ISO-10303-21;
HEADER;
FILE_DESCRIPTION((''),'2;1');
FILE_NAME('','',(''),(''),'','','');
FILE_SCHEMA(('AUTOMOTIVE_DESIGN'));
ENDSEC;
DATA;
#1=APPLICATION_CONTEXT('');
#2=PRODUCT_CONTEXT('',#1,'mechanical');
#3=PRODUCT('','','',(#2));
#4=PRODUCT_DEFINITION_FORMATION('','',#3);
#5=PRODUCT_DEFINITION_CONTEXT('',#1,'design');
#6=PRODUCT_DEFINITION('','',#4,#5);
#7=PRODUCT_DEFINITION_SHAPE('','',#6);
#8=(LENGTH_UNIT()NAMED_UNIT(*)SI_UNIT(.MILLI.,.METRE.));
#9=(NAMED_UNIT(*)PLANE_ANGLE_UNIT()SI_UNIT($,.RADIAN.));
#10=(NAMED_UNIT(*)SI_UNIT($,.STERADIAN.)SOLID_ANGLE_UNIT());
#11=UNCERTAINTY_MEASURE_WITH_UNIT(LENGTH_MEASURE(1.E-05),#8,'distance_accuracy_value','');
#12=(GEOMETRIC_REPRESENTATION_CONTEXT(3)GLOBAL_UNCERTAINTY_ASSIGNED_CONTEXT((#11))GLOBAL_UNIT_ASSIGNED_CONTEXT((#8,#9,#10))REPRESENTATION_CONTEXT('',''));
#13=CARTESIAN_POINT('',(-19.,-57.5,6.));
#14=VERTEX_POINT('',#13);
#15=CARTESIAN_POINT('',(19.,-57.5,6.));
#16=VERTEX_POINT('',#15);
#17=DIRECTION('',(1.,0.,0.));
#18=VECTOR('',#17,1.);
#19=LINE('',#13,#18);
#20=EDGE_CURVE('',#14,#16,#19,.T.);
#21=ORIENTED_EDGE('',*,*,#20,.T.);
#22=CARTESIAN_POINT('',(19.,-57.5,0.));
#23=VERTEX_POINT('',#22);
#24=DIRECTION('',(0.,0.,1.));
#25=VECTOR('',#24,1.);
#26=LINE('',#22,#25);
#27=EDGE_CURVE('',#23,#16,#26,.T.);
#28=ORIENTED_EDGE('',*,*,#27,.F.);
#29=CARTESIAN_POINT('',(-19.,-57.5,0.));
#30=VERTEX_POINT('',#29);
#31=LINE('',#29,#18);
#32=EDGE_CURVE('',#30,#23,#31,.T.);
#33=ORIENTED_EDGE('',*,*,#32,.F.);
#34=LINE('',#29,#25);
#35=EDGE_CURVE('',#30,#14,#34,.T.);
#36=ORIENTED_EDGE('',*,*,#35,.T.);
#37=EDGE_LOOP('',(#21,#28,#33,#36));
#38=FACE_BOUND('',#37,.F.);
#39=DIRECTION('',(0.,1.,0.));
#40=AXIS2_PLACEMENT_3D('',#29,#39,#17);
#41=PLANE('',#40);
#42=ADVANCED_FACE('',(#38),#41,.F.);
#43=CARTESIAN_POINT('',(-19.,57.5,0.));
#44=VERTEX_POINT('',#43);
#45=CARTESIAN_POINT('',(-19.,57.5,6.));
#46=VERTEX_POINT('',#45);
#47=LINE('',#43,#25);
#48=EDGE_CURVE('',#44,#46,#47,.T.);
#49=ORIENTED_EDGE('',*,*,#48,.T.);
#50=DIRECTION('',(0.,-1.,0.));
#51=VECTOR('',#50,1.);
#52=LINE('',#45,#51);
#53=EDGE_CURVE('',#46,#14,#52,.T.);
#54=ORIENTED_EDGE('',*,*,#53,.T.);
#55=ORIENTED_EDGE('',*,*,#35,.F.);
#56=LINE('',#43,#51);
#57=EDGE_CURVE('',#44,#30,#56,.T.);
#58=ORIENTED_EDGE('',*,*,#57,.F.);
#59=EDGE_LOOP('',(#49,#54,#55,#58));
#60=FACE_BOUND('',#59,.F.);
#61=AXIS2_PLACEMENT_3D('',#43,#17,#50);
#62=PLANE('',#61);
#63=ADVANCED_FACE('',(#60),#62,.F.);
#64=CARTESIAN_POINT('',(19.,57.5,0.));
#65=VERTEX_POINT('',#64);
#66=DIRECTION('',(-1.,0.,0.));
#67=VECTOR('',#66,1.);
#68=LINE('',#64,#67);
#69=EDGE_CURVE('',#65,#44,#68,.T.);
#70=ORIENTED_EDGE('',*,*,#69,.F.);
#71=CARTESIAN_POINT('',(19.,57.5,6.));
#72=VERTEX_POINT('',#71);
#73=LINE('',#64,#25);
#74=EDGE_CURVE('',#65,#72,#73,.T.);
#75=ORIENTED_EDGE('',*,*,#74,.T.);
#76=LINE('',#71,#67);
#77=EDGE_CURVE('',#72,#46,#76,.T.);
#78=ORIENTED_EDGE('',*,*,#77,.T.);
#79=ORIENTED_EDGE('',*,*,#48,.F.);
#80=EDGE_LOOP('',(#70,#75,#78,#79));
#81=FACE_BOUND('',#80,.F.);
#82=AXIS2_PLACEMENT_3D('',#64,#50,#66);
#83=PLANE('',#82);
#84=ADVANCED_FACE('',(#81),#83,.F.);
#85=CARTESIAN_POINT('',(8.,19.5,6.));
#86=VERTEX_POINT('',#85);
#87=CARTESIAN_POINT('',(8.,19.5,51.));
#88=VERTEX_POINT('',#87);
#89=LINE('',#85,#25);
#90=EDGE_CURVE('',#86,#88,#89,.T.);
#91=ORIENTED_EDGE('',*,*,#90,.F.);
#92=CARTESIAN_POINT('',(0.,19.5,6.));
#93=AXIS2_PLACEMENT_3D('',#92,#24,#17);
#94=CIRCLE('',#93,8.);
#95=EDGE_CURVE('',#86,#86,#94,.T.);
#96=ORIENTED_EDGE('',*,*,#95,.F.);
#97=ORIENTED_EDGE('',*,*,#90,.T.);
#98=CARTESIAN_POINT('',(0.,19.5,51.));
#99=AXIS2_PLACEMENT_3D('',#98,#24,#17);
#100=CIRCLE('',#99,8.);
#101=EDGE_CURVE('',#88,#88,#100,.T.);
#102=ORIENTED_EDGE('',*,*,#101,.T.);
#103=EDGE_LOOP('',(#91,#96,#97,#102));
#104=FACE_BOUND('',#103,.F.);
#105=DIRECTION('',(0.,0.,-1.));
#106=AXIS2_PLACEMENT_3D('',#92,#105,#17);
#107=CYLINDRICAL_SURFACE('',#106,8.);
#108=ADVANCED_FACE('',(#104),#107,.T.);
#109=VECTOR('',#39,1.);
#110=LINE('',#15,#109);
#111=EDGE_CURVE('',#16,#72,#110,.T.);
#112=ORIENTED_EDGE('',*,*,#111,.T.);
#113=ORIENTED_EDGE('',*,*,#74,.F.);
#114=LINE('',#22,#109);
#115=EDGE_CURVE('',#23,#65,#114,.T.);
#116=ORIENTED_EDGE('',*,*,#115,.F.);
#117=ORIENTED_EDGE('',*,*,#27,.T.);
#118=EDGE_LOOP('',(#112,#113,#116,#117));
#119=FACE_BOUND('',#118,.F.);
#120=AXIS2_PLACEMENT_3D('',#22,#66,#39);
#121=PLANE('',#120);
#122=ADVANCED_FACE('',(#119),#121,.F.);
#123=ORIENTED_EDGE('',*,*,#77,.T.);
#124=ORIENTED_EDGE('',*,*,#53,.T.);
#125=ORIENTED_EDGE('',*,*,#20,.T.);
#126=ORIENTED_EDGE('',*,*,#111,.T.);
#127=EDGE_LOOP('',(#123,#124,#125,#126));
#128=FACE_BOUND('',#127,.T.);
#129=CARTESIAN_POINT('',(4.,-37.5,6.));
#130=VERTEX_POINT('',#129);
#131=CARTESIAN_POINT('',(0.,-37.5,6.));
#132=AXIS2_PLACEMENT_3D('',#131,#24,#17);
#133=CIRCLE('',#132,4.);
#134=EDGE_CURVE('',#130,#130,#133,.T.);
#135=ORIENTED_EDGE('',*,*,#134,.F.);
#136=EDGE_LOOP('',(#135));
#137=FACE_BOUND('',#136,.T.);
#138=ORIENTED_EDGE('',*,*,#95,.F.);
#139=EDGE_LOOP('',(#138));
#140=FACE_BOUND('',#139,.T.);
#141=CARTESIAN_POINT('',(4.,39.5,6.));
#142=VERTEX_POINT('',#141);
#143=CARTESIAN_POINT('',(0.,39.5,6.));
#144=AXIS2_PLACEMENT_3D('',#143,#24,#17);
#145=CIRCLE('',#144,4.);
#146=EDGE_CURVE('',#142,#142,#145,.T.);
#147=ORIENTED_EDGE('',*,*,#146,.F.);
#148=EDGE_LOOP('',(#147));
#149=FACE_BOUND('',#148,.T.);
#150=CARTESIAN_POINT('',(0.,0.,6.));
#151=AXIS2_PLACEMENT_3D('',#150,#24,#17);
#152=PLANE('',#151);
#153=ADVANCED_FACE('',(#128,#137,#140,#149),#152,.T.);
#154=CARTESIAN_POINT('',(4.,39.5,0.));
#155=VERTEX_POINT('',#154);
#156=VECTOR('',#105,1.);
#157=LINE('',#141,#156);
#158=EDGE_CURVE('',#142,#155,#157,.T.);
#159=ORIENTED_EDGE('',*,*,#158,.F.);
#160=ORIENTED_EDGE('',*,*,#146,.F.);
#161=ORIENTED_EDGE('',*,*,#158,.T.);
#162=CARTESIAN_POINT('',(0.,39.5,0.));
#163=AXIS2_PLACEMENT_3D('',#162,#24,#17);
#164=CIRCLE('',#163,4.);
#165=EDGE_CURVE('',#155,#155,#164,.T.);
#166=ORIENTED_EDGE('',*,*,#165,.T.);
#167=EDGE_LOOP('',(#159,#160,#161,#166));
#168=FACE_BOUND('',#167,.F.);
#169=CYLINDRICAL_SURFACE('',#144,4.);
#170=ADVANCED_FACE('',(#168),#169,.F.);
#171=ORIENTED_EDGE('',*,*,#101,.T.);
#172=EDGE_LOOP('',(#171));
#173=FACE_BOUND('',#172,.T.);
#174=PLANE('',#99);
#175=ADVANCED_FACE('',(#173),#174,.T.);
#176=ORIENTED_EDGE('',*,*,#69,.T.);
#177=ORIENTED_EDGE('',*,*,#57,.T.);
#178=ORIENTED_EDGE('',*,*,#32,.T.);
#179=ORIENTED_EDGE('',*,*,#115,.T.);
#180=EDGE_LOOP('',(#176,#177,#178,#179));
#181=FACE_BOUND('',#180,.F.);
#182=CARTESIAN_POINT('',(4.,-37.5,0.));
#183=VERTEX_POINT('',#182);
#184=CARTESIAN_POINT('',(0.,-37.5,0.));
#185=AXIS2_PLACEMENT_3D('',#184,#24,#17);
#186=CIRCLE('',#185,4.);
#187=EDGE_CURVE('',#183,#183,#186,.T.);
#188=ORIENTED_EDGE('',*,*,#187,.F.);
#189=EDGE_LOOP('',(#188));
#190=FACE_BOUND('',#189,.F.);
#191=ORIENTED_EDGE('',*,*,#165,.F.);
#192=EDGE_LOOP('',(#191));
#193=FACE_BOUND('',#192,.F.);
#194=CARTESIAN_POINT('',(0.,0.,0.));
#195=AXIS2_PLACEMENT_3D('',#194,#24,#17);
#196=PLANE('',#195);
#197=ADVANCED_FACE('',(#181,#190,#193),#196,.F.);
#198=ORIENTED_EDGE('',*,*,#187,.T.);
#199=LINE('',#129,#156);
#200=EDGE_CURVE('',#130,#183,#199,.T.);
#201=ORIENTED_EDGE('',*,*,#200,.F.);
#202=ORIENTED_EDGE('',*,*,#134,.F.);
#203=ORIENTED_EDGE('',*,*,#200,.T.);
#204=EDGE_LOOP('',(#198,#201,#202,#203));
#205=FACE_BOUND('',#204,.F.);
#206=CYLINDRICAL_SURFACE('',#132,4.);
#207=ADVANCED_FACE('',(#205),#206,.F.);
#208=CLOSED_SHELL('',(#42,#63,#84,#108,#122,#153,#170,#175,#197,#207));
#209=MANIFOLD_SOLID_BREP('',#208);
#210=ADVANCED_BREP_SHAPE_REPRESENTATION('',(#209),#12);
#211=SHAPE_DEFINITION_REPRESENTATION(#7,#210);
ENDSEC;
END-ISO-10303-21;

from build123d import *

# Parameters (mm, degrees)
F1_DEPTH = 6
F2_R     = 8
F3_DEPTH = 45
F2_R_2   = 4
F4_DEPTH = 6


with BuildPart() as f1:
    # F0 (on Top) → F1 (new body)
    with BuildSketch(Plane.XY):
        Polygon((19, 57.5), (0, 57.5), (-19, 57.5), (-19, 0), (-19, -57.5), (0, -57.5), (19, -57.5), (19, 0), align=None)
    extrude(amount=F1_DEPTH)

    # F2 (on face) → F3 (join)
    with BuildSketch(Plane.XY.offset(6)):
        with Locations((0, 19.5)):
            Circle(F2_R)
    extrude(amount=F3_DEPTH)

    # F2 (on face) → F4 (cut)
    with BuildSketch(Plane.XY.offset(6)):
        with Locations((0, -37.5)):
            Circle(F2_R_2)
        with Locations((0, 39.5)):
            Circle(F2_R_2)
    extrude(amount=-F4_DEPTH, mode=Mode.SUBTRACT)


solid = f1.part
